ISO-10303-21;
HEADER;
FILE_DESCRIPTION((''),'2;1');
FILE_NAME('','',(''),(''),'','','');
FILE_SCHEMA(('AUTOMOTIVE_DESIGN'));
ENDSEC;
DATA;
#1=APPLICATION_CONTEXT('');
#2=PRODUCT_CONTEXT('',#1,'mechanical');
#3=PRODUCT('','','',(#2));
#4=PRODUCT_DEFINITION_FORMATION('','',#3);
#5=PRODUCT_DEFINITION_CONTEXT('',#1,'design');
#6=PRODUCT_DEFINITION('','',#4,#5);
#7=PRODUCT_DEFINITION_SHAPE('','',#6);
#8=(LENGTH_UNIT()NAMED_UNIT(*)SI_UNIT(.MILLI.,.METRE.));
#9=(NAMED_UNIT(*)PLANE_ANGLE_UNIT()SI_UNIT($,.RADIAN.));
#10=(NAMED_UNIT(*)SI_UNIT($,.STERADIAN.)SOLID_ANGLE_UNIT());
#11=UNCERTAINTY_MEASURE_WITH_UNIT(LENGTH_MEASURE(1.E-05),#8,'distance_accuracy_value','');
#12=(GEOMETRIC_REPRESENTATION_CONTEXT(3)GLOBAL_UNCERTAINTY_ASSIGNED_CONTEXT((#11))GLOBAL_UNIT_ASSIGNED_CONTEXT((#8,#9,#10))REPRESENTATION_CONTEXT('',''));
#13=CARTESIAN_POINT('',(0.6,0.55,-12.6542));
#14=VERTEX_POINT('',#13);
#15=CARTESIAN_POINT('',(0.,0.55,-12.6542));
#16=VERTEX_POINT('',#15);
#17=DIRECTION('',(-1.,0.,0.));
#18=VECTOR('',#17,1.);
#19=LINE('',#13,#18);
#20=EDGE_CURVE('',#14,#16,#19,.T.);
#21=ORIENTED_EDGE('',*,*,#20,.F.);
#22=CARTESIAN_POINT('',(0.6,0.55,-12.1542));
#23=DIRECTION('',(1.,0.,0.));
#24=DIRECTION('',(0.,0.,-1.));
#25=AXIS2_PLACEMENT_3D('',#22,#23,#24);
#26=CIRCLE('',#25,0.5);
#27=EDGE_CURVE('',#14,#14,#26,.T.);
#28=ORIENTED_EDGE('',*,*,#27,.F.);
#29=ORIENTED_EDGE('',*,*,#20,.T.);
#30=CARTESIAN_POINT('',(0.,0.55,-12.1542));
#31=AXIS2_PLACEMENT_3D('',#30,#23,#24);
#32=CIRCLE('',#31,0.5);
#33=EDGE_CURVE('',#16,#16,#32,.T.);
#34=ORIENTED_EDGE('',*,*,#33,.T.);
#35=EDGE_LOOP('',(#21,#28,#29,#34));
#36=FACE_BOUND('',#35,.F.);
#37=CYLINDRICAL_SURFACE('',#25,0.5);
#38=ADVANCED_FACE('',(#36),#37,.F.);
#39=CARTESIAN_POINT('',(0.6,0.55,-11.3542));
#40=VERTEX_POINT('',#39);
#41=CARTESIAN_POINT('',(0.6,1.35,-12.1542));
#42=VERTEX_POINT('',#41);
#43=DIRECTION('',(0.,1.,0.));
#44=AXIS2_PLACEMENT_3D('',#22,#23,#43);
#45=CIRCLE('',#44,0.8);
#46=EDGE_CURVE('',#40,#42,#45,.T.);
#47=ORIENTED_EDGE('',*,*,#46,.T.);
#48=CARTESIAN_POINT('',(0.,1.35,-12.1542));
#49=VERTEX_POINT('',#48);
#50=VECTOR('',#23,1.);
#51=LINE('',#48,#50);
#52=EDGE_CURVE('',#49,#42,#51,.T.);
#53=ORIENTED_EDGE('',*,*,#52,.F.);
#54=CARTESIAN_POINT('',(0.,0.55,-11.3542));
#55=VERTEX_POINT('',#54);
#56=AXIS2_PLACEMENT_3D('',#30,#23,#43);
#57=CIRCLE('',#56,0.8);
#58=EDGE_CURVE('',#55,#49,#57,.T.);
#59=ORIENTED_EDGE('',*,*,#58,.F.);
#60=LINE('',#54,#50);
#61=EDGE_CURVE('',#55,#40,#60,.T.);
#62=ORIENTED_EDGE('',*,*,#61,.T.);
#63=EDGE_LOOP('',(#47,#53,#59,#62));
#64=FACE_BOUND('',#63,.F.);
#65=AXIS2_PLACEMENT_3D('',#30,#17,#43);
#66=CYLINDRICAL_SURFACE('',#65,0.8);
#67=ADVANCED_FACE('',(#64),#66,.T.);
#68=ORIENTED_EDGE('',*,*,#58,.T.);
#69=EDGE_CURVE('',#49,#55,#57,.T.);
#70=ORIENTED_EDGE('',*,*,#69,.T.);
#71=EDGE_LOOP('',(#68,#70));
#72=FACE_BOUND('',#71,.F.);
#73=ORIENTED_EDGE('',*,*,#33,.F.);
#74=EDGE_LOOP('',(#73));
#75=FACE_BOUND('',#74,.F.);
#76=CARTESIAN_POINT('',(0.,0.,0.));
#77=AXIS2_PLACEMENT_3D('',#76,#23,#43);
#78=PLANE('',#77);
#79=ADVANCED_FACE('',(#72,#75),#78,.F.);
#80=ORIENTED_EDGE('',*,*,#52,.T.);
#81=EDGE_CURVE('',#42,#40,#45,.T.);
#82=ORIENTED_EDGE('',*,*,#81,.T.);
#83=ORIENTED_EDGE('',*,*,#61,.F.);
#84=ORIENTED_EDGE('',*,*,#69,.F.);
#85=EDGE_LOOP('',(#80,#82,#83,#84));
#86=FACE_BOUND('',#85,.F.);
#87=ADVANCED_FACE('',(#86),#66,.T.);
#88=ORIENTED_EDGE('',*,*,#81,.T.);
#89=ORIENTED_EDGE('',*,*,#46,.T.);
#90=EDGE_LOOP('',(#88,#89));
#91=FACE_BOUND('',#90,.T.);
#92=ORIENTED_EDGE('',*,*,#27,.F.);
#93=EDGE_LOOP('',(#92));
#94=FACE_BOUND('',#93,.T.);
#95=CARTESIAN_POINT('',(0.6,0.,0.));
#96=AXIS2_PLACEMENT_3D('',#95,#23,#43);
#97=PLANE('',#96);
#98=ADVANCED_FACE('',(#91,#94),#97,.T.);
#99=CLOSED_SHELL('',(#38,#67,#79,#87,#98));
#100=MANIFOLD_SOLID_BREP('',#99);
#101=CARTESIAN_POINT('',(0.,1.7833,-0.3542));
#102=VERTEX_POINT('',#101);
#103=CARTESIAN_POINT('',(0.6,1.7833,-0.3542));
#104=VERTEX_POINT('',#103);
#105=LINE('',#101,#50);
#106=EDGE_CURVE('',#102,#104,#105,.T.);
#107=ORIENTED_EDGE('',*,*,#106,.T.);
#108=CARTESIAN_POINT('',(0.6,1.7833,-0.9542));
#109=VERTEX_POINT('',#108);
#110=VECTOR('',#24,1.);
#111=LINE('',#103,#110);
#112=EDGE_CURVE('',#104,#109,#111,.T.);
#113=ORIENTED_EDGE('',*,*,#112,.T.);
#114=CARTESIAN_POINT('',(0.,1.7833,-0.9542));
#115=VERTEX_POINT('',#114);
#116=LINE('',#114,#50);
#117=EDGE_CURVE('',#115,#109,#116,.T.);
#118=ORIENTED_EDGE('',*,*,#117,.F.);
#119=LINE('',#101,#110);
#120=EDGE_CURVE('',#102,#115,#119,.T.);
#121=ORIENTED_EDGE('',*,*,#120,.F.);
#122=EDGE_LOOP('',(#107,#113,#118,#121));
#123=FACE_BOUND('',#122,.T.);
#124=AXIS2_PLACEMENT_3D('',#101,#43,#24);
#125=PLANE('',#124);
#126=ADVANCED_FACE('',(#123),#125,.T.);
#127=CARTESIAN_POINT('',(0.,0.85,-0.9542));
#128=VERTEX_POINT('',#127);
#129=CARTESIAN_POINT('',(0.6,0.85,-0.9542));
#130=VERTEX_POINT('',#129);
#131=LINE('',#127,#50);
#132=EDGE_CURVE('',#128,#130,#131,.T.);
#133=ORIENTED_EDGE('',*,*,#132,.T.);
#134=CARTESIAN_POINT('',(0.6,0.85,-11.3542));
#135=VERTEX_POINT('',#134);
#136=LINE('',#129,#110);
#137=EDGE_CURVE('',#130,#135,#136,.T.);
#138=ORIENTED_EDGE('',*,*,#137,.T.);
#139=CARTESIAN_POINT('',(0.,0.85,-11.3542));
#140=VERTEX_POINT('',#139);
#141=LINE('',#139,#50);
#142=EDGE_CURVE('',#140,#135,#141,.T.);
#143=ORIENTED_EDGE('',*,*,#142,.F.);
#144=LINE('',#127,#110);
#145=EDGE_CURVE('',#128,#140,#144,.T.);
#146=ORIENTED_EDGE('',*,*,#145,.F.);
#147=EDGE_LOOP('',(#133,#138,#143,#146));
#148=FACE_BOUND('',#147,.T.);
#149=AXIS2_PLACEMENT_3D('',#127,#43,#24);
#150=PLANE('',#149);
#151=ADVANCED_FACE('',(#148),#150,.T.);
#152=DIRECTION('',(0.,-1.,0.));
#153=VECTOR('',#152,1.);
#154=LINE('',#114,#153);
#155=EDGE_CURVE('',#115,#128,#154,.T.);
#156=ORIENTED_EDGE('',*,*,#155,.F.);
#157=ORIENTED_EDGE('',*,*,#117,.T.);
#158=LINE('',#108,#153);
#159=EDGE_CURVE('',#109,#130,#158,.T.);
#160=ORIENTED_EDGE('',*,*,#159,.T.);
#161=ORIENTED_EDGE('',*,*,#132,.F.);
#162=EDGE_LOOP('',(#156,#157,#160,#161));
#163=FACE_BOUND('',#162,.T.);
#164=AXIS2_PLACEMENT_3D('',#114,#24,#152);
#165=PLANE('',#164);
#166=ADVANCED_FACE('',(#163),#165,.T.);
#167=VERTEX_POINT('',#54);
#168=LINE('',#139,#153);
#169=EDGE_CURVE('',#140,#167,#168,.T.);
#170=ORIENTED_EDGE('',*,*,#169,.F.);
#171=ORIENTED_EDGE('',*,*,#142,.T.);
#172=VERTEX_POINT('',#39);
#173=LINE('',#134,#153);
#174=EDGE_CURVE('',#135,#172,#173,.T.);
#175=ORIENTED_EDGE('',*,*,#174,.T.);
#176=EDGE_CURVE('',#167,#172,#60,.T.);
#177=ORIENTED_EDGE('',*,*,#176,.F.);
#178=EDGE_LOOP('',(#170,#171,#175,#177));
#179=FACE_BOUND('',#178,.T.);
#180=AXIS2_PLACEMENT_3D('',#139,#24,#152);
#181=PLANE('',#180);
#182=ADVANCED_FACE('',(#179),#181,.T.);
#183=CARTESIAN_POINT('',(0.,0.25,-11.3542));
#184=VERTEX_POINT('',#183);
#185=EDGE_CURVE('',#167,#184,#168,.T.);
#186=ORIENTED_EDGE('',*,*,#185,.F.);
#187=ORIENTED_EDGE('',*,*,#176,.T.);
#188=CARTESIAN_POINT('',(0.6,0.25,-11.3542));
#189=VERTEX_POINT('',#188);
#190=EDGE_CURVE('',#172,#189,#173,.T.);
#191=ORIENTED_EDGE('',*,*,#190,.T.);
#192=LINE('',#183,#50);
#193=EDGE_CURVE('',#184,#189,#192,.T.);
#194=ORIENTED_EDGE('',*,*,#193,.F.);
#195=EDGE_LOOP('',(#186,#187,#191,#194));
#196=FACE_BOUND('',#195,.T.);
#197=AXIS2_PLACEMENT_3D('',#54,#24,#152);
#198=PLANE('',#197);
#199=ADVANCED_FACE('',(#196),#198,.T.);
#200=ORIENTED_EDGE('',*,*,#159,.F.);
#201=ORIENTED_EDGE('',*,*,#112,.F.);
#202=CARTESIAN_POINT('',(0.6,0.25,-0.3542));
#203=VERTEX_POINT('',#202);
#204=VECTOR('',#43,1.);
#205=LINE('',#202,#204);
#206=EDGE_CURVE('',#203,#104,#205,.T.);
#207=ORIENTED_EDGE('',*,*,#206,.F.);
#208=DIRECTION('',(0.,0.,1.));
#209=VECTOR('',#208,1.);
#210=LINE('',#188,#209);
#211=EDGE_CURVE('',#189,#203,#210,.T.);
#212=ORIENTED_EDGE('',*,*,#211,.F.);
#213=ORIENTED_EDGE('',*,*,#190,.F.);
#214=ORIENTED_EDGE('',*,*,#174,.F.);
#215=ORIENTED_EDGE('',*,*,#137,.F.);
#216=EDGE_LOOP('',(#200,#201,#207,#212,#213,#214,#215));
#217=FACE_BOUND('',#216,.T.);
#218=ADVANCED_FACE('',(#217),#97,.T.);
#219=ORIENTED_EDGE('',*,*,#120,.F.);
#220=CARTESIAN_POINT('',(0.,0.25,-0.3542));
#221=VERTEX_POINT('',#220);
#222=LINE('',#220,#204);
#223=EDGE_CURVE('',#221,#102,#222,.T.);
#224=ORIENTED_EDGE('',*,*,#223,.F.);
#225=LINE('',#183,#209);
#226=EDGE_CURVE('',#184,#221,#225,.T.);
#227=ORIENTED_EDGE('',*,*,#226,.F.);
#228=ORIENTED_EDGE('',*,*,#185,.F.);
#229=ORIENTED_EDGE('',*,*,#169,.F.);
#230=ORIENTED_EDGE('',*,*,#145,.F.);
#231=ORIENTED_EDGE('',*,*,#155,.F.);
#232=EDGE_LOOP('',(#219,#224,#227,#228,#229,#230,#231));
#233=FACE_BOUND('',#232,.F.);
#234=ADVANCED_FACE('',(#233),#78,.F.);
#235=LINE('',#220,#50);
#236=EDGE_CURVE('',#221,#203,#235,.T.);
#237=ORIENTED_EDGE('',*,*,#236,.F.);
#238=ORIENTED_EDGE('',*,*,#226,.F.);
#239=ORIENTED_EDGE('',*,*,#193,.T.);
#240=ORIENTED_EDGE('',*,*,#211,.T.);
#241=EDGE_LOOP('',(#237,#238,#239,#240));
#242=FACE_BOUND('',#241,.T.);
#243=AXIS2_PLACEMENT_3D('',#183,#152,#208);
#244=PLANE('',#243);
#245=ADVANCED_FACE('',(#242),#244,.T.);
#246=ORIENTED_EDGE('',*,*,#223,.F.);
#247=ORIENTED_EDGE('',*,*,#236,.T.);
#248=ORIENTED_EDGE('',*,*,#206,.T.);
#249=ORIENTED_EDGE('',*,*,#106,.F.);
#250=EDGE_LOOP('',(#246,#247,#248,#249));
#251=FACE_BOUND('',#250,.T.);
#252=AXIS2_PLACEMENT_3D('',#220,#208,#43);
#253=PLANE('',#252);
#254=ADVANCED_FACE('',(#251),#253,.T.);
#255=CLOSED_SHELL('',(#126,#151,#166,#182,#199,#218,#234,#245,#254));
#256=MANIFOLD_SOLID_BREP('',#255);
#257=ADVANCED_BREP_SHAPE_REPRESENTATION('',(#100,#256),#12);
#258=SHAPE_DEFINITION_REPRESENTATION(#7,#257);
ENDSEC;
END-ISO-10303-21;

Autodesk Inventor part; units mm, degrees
ref_plane "YZ Plane" through (0, 0, 0) normal (1, 0, 0) x (0, 1, 0)
ref_plane "XZ Plane" through (0, 0, 0) normal (0, 1, 0) x (-1, 0, 0)
ref_plane "XY Plane" through (0, 0, 0) normal (0, 0, 1) x (1, 0, 0)
sketch "Skizze1" plane through (0, 0, 0) normal (1, 0, 0) x (0, 1, 0)
  line L0 (1.7833, -0.9542) -> (0.85, -0.9542)
  line L1 (0.85, -0.9542) -> (0.85, -11.3542)
  line L2 (0.85, -11.3542) -> (0.25, -11.3542)
  line L3 (0.25, -11.3542) -> (0.25, -0.3542)
  line L4 (0.25, -0.3542) -> (1.7833, -0.3542)
  line L5 (1.7833, -0.3542) -> (1.7833, -0.9542)
  circle A0 centre (0.55, -12.1542) radius 0.8
  point P0 (0, 0)
  dimension "d0" = 0.6
  dimension "d1" = 0.6
  dimension "d2" = 11
  dimension "d8" = 1.6
extrude "Extrusion1" add sketch "Skizze1" along normal blind 0.6
sketch "Skizze4" plane through (0.6, 0.55, -12.1542) normal (1, 0, 0) x (0, 0, -1)
  circle A0 centre (0, 0) radius 0.5
  circle A1 centre (0, 0) radius 0.8 projected
  point P0 (-12.1542, -0.55)
  point P1 (-0.8, 0)
  dimension "d10" = 1
extrude "Extrusion3" cut sketch "Skizze4" against normal blind 0.6 contours A0
properties part number "LegCathode" material "Aluminium 6061"
